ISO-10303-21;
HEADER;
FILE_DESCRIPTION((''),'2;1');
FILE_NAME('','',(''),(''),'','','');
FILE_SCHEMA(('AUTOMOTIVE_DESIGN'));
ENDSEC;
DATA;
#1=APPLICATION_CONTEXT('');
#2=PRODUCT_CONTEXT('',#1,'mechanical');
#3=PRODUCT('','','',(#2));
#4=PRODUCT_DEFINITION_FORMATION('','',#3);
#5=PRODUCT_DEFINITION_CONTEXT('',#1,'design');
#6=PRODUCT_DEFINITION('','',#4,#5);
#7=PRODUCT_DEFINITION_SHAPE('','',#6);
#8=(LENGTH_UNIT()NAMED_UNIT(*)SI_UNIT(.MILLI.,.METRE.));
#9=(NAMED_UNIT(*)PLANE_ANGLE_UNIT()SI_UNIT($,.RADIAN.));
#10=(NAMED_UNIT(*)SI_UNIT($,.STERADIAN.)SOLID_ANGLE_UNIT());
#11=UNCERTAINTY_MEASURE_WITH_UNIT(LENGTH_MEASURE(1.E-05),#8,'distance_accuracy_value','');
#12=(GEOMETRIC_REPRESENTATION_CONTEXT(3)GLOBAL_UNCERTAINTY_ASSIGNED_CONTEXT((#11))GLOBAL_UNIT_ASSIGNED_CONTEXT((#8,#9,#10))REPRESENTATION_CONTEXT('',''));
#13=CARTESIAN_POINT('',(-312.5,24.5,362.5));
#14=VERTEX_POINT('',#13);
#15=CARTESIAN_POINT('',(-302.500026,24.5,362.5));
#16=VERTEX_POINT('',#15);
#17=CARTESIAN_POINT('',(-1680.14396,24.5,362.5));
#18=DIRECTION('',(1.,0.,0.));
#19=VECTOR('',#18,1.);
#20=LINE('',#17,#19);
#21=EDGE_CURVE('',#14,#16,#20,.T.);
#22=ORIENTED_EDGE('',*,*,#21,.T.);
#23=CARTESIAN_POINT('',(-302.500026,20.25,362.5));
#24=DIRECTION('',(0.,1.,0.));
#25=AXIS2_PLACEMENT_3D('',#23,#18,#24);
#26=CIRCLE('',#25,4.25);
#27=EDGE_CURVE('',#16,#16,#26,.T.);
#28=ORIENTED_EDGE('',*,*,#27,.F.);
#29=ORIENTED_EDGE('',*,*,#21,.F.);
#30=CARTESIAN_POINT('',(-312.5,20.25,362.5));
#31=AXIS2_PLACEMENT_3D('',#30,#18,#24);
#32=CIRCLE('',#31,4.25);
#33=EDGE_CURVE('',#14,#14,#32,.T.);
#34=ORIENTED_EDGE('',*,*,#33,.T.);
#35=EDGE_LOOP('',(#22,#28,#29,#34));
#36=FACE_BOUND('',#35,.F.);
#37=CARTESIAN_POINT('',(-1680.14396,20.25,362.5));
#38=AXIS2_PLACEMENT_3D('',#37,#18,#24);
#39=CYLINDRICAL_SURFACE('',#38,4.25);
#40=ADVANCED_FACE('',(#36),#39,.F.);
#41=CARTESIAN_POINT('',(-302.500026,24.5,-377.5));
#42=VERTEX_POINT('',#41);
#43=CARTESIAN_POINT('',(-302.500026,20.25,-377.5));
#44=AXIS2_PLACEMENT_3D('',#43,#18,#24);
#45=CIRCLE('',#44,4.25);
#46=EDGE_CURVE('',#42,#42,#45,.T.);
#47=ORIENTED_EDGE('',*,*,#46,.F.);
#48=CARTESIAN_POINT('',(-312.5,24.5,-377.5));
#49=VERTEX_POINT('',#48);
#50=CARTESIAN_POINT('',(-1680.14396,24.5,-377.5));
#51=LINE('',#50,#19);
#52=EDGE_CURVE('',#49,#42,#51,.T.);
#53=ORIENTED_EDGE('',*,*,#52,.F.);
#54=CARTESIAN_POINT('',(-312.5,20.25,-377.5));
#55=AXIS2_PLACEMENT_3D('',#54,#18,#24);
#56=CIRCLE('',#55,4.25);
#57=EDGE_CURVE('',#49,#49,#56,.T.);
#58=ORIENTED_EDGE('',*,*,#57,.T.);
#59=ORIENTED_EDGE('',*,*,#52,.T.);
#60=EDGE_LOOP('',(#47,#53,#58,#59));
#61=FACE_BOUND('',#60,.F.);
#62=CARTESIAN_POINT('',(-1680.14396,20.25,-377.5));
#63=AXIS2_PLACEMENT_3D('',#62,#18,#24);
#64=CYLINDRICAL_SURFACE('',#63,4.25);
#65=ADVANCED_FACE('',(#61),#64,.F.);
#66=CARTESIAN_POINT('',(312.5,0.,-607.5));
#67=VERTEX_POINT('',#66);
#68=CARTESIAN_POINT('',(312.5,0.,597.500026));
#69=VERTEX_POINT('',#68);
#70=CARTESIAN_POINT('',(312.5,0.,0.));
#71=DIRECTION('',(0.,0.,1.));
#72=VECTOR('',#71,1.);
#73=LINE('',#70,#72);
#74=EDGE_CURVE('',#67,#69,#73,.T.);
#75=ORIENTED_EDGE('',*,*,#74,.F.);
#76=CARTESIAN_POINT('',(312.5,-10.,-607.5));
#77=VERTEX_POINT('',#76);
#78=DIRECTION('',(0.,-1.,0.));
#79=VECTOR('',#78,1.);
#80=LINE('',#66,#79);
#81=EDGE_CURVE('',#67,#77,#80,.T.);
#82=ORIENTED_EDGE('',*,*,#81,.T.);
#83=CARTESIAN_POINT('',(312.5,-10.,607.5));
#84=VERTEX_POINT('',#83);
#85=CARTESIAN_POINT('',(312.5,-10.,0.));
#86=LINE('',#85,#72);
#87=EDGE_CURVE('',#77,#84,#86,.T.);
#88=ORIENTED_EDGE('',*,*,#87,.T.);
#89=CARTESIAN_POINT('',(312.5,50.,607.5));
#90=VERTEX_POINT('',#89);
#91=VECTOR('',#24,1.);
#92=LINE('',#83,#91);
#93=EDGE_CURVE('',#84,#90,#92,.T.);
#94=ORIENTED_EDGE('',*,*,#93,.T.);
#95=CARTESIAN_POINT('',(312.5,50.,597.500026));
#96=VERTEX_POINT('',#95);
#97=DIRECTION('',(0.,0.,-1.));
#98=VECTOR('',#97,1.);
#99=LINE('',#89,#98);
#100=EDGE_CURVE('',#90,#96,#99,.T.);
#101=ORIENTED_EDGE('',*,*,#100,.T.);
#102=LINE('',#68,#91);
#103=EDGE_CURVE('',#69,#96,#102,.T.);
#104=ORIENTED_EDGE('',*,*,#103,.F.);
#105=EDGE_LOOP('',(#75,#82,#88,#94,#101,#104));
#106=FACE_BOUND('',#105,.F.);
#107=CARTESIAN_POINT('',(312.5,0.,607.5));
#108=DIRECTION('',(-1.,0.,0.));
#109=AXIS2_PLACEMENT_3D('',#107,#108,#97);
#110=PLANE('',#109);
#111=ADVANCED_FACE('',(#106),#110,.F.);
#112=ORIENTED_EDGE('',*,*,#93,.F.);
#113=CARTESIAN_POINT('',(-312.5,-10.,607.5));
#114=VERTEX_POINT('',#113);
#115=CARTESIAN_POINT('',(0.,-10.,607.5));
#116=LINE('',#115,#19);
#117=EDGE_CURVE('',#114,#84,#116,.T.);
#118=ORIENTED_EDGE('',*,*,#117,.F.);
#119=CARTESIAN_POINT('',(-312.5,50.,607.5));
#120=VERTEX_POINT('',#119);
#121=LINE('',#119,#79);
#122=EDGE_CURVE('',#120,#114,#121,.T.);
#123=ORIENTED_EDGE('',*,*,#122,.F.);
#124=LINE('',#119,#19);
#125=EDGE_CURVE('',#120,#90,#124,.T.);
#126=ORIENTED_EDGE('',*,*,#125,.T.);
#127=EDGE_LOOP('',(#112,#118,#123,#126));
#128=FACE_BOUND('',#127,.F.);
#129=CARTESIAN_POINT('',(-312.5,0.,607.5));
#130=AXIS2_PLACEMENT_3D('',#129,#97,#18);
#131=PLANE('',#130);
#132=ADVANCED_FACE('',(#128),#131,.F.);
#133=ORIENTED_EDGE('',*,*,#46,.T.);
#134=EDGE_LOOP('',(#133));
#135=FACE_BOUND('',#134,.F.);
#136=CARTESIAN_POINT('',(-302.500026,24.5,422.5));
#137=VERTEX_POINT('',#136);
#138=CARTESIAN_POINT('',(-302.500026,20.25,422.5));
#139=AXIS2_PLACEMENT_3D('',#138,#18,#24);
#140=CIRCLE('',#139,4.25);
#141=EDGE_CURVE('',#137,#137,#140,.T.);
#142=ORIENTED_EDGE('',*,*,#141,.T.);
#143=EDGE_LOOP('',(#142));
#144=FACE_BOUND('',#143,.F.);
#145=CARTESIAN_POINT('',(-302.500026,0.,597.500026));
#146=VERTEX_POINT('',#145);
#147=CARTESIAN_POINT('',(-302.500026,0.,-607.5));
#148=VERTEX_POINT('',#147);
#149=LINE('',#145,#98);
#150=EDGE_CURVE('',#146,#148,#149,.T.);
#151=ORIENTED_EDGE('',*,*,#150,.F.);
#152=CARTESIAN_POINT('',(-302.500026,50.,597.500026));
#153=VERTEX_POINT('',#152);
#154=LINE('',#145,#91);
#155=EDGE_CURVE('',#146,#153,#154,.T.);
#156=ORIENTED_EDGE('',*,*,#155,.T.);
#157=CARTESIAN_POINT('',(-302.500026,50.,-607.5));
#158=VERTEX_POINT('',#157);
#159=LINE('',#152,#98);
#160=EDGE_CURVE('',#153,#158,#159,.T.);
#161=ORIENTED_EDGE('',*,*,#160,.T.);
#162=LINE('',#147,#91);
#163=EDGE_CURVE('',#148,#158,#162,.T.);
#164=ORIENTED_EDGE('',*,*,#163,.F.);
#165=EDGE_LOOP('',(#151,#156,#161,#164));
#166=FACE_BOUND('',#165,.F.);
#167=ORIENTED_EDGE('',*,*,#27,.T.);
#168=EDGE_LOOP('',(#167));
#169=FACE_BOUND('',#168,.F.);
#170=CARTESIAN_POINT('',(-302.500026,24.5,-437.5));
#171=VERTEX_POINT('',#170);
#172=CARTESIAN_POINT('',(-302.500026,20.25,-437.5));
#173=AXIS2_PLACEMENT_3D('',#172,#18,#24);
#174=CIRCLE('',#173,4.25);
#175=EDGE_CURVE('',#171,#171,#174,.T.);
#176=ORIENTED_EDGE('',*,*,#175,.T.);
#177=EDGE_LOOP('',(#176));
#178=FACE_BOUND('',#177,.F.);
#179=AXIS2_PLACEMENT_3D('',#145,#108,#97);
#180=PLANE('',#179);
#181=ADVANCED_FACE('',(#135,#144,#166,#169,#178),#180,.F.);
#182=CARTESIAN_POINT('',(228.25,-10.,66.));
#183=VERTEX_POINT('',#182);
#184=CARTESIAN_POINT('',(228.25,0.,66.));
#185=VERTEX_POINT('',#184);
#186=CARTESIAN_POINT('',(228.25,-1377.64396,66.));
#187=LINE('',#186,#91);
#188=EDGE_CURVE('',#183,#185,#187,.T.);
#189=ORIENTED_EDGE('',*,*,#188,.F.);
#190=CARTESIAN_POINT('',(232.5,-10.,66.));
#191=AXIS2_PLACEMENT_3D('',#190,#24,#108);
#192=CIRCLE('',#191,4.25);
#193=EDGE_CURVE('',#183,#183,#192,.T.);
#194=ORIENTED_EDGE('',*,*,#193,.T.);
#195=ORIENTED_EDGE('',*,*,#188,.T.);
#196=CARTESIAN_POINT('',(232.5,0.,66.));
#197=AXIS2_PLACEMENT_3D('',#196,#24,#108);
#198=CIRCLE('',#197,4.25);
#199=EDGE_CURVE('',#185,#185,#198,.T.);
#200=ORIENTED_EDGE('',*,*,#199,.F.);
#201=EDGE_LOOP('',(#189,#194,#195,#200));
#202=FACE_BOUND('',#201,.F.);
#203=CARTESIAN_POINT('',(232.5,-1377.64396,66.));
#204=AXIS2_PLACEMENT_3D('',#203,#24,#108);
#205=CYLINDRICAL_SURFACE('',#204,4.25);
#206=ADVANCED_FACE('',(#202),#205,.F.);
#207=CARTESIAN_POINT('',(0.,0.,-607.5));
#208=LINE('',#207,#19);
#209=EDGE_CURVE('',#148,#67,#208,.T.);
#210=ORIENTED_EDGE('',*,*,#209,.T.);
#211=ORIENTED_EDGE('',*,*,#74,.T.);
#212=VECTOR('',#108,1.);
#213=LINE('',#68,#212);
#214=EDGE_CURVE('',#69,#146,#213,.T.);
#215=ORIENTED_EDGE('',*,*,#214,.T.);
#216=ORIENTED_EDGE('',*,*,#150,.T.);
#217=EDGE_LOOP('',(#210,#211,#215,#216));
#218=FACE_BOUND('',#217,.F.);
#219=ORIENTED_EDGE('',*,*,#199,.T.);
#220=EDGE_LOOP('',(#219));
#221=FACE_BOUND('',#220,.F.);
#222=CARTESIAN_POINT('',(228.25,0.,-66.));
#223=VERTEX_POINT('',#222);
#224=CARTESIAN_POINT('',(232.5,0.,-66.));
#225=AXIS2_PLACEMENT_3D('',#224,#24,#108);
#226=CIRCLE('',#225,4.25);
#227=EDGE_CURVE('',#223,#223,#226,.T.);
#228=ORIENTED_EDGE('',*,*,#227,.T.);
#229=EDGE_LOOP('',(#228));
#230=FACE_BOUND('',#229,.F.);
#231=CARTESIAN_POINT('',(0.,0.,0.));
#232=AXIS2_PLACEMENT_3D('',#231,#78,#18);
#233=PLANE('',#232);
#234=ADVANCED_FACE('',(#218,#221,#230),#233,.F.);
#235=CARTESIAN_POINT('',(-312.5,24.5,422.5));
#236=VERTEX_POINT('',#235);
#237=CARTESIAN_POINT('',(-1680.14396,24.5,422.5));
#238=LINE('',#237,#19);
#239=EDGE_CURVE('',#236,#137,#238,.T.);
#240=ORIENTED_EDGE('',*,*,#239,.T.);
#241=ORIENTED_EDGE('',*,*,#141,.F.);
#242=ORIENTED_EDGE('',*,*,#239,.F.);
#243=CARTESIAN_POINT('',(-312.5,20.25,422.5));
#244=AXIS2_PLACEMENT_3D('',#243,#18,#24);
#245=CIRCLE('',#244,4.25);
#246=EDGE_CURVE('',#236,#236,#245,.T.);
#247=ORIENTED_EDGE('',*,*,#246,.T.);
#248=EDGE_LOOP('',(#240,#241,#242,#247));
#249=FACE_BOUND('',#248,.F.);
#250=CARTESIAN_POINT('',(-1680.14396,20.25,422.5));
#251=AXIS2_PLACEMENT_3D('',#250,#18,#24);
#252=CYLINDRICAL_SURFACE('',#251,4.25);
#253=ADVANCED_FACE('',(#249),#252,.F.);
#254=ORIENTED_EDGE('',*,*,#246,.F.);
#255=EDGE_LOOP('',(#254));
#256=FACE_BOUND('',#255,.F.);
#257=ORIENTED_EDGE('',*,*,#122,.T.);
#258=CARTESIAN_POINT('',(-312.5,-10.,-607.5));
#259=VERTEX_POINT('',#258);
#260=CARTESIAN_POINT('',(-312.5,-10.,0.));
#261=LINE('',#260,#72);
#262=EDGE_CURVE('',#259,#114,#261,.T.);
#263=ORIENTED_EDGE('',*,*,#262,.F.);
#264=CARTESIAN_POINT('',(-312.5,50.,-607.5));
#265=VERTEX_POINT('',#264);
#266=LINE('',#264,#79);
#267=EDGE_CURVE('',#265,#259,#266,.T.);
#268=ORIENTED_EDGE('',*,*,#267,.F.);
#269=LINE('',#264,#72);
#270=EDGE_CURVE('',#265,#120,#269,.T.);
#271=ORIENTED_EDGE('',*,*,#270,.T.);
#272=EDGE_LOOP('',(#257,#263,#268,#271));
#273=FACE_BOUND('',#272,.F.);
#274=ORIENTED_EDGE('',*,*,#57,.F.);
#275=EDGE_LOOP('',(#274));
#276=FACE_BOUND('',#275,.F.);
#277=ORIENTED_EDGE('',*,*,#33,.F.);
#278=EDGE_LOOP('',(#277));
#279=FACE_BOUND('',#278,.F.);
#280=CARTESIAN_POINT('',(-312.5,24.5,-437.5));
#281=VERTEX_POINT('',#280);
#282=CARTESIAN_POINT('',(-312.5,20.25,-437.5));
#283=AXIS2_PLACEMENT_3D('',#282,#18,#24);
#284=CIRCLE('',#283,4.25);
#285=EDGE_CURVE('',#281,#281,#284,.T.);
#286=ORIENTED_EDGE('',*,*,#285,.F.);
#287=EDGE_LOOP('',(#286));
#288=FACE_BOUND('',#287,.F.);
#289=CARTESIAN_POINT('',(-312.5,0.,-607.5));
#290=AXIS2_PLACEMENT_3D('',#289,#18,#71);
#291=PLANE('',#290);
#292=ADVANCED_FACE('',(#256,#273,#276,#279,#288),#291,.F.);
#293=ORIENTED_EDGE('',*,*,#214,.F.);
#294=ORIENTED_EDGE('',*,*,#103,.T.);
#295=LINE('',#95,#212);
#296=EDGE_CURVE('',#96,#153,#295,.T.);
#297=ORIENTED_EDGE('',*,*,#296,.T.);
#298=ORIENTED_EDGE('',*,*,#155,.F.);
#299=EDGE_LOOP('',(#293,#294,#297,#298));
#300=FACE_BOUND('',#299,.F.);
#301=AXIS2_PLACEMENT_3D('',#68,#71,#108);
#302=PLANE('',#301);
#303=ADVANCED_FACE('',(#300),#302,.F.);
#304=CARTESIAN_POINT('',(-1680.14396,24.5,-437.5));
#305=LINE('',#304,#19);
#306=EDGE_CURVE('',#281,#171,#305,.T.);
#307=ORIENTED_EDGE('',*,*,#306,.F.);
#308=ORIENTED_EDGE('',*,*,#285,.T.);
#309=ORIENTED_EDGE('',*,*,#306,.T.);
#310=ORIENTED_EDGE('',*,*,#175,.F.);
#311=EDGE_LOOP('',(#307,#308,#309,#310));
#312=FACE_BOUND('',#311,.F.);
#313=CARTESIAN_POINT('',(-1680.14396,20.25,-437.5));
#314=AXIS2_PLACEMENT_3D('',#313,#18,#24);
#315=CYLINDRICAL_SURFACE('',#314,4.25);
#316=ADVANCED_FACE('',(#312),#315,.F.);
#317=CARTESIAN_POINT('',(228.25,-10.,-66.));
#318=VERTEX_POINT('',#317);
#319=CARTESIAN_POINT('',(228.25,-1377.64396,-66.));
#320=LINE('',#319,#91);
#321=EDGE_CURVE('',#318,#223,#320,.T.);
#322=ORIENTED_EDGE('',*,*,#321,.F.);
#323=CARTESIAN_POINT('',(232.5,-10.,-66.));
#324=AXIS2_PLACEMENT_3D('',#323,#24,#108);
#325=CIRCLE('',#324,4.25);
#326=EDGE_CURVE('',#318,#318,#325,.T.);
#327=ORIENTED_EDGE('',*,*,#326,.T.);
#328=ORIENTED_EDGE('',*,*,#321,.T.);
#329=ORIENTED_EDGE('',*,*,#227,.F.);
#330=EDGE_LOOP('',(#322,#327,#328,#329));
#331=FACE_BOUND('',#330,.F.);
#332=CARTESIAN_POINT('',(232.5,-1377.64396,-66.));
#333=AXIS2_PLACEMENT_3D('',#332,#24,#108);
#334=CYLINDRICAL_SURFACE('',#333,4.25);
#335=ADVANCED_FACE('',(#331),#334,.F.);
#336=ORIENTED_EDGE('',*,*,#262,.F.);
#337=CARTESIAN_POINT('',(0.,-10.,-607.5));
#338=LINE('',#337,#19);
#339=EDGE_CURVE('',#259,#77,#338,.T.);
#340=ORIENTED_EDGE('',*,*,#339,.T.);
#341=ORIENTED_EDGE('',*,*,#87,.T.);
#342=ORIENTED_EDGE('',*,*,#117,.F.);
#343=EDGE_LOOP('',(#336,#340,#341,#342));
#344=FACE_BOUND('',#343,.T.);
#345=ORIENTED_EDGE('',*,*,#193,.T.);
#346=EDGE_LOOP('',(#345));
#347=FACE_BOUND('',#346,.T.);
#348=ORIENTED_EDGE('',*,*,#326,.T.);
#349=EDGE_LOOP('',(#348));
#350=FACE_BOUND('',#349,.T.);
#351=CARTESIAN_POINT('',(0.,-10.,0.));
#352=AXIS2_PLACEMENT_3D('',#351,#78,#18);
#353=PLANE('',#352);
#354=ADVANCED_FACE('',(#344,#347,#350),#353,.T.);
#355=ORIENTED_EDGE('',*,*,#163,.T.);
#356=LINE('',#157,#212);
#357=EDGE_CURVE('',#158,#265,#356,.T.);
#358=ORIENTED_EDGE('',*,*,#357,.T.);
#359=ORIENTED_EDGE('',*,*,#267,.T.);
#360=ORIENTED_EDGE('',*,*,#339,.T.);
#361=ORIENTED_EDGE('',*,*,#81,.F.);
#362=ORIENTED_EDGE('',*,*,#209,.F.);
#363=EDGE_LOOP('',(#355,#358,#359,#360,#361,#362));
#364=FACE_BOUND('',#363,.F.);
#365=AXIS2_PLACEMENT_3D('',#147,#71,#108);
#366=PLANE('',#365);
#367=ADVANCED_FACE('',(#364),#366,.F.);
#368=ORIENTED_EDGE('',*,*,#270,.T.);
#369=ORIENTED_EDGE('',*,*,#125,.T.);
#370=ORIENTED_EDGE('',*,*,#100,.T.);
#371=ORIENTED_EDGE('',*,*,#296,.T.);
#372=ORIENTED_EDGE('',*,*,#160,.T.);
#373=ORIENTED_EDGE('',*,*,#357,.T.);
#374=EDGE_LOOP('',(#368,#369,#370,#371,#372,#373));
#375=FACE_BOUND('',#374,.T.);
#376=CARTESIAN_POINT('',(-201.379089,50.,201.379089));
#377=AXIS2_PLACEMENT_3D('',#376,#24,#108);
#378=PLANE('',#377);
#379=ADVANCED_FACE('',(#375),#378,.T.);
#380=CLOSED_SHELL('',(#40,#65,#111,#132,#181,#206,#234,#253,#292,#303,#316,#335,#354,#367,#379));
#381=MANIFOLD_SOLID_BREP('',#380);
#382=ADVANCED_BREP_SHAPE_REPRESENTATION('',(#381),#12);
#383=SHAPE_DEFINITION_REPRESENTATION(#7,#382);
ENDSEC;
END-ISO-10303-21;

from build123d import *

# Parameters (mm, degrees)
F0_W     = 625
F0_H     = 1215
F1_DEPTH = 10
F3_DEPTH = 50
F5_D     = 8.5
F7_D     = 8.5


with BuildPart() as f1:
    # F0 (on Front) → F1 (new body)
    with BuildSketch(Plane.XZ):
        Rectangle(F0_W, F0_H)
    extrude(amount=F1_DEPTH)

    # F2 (on face) → F3 (join)
    with BuildSketch(Plane(origin=(0, 0, 0), x_dir=(-1, 0, 0), z_dir=(0, 1, 0))):
        Polygon((312.5, 607.5), (-312.5, 607.5), (-312.5, 597.500026), (302.500026, 597.500026), (302.500026, -607.5), (312.5, -607.5), align=None)
    extrude(amount=F3_DEPTH)

    # F5 (through all)
    with Locations(Plane.XZ.offset(10)):
        with Locations((232.5, 66), (232.5, -66)):
            Hole(F5_D / 2)

    # F7 (through all)
    with Locations(Plane(origin=(-312.5, 0, 0), x_dir=(0, -1, 0), z_dir=(-1, 0, 0))):
        with Locations((-20.25, 422.5), (-20.25, 362.5), (-20.25, -377.5), (-20.25, -437.5)):
            Hole(F7_D / 2)


solid = f1.part
